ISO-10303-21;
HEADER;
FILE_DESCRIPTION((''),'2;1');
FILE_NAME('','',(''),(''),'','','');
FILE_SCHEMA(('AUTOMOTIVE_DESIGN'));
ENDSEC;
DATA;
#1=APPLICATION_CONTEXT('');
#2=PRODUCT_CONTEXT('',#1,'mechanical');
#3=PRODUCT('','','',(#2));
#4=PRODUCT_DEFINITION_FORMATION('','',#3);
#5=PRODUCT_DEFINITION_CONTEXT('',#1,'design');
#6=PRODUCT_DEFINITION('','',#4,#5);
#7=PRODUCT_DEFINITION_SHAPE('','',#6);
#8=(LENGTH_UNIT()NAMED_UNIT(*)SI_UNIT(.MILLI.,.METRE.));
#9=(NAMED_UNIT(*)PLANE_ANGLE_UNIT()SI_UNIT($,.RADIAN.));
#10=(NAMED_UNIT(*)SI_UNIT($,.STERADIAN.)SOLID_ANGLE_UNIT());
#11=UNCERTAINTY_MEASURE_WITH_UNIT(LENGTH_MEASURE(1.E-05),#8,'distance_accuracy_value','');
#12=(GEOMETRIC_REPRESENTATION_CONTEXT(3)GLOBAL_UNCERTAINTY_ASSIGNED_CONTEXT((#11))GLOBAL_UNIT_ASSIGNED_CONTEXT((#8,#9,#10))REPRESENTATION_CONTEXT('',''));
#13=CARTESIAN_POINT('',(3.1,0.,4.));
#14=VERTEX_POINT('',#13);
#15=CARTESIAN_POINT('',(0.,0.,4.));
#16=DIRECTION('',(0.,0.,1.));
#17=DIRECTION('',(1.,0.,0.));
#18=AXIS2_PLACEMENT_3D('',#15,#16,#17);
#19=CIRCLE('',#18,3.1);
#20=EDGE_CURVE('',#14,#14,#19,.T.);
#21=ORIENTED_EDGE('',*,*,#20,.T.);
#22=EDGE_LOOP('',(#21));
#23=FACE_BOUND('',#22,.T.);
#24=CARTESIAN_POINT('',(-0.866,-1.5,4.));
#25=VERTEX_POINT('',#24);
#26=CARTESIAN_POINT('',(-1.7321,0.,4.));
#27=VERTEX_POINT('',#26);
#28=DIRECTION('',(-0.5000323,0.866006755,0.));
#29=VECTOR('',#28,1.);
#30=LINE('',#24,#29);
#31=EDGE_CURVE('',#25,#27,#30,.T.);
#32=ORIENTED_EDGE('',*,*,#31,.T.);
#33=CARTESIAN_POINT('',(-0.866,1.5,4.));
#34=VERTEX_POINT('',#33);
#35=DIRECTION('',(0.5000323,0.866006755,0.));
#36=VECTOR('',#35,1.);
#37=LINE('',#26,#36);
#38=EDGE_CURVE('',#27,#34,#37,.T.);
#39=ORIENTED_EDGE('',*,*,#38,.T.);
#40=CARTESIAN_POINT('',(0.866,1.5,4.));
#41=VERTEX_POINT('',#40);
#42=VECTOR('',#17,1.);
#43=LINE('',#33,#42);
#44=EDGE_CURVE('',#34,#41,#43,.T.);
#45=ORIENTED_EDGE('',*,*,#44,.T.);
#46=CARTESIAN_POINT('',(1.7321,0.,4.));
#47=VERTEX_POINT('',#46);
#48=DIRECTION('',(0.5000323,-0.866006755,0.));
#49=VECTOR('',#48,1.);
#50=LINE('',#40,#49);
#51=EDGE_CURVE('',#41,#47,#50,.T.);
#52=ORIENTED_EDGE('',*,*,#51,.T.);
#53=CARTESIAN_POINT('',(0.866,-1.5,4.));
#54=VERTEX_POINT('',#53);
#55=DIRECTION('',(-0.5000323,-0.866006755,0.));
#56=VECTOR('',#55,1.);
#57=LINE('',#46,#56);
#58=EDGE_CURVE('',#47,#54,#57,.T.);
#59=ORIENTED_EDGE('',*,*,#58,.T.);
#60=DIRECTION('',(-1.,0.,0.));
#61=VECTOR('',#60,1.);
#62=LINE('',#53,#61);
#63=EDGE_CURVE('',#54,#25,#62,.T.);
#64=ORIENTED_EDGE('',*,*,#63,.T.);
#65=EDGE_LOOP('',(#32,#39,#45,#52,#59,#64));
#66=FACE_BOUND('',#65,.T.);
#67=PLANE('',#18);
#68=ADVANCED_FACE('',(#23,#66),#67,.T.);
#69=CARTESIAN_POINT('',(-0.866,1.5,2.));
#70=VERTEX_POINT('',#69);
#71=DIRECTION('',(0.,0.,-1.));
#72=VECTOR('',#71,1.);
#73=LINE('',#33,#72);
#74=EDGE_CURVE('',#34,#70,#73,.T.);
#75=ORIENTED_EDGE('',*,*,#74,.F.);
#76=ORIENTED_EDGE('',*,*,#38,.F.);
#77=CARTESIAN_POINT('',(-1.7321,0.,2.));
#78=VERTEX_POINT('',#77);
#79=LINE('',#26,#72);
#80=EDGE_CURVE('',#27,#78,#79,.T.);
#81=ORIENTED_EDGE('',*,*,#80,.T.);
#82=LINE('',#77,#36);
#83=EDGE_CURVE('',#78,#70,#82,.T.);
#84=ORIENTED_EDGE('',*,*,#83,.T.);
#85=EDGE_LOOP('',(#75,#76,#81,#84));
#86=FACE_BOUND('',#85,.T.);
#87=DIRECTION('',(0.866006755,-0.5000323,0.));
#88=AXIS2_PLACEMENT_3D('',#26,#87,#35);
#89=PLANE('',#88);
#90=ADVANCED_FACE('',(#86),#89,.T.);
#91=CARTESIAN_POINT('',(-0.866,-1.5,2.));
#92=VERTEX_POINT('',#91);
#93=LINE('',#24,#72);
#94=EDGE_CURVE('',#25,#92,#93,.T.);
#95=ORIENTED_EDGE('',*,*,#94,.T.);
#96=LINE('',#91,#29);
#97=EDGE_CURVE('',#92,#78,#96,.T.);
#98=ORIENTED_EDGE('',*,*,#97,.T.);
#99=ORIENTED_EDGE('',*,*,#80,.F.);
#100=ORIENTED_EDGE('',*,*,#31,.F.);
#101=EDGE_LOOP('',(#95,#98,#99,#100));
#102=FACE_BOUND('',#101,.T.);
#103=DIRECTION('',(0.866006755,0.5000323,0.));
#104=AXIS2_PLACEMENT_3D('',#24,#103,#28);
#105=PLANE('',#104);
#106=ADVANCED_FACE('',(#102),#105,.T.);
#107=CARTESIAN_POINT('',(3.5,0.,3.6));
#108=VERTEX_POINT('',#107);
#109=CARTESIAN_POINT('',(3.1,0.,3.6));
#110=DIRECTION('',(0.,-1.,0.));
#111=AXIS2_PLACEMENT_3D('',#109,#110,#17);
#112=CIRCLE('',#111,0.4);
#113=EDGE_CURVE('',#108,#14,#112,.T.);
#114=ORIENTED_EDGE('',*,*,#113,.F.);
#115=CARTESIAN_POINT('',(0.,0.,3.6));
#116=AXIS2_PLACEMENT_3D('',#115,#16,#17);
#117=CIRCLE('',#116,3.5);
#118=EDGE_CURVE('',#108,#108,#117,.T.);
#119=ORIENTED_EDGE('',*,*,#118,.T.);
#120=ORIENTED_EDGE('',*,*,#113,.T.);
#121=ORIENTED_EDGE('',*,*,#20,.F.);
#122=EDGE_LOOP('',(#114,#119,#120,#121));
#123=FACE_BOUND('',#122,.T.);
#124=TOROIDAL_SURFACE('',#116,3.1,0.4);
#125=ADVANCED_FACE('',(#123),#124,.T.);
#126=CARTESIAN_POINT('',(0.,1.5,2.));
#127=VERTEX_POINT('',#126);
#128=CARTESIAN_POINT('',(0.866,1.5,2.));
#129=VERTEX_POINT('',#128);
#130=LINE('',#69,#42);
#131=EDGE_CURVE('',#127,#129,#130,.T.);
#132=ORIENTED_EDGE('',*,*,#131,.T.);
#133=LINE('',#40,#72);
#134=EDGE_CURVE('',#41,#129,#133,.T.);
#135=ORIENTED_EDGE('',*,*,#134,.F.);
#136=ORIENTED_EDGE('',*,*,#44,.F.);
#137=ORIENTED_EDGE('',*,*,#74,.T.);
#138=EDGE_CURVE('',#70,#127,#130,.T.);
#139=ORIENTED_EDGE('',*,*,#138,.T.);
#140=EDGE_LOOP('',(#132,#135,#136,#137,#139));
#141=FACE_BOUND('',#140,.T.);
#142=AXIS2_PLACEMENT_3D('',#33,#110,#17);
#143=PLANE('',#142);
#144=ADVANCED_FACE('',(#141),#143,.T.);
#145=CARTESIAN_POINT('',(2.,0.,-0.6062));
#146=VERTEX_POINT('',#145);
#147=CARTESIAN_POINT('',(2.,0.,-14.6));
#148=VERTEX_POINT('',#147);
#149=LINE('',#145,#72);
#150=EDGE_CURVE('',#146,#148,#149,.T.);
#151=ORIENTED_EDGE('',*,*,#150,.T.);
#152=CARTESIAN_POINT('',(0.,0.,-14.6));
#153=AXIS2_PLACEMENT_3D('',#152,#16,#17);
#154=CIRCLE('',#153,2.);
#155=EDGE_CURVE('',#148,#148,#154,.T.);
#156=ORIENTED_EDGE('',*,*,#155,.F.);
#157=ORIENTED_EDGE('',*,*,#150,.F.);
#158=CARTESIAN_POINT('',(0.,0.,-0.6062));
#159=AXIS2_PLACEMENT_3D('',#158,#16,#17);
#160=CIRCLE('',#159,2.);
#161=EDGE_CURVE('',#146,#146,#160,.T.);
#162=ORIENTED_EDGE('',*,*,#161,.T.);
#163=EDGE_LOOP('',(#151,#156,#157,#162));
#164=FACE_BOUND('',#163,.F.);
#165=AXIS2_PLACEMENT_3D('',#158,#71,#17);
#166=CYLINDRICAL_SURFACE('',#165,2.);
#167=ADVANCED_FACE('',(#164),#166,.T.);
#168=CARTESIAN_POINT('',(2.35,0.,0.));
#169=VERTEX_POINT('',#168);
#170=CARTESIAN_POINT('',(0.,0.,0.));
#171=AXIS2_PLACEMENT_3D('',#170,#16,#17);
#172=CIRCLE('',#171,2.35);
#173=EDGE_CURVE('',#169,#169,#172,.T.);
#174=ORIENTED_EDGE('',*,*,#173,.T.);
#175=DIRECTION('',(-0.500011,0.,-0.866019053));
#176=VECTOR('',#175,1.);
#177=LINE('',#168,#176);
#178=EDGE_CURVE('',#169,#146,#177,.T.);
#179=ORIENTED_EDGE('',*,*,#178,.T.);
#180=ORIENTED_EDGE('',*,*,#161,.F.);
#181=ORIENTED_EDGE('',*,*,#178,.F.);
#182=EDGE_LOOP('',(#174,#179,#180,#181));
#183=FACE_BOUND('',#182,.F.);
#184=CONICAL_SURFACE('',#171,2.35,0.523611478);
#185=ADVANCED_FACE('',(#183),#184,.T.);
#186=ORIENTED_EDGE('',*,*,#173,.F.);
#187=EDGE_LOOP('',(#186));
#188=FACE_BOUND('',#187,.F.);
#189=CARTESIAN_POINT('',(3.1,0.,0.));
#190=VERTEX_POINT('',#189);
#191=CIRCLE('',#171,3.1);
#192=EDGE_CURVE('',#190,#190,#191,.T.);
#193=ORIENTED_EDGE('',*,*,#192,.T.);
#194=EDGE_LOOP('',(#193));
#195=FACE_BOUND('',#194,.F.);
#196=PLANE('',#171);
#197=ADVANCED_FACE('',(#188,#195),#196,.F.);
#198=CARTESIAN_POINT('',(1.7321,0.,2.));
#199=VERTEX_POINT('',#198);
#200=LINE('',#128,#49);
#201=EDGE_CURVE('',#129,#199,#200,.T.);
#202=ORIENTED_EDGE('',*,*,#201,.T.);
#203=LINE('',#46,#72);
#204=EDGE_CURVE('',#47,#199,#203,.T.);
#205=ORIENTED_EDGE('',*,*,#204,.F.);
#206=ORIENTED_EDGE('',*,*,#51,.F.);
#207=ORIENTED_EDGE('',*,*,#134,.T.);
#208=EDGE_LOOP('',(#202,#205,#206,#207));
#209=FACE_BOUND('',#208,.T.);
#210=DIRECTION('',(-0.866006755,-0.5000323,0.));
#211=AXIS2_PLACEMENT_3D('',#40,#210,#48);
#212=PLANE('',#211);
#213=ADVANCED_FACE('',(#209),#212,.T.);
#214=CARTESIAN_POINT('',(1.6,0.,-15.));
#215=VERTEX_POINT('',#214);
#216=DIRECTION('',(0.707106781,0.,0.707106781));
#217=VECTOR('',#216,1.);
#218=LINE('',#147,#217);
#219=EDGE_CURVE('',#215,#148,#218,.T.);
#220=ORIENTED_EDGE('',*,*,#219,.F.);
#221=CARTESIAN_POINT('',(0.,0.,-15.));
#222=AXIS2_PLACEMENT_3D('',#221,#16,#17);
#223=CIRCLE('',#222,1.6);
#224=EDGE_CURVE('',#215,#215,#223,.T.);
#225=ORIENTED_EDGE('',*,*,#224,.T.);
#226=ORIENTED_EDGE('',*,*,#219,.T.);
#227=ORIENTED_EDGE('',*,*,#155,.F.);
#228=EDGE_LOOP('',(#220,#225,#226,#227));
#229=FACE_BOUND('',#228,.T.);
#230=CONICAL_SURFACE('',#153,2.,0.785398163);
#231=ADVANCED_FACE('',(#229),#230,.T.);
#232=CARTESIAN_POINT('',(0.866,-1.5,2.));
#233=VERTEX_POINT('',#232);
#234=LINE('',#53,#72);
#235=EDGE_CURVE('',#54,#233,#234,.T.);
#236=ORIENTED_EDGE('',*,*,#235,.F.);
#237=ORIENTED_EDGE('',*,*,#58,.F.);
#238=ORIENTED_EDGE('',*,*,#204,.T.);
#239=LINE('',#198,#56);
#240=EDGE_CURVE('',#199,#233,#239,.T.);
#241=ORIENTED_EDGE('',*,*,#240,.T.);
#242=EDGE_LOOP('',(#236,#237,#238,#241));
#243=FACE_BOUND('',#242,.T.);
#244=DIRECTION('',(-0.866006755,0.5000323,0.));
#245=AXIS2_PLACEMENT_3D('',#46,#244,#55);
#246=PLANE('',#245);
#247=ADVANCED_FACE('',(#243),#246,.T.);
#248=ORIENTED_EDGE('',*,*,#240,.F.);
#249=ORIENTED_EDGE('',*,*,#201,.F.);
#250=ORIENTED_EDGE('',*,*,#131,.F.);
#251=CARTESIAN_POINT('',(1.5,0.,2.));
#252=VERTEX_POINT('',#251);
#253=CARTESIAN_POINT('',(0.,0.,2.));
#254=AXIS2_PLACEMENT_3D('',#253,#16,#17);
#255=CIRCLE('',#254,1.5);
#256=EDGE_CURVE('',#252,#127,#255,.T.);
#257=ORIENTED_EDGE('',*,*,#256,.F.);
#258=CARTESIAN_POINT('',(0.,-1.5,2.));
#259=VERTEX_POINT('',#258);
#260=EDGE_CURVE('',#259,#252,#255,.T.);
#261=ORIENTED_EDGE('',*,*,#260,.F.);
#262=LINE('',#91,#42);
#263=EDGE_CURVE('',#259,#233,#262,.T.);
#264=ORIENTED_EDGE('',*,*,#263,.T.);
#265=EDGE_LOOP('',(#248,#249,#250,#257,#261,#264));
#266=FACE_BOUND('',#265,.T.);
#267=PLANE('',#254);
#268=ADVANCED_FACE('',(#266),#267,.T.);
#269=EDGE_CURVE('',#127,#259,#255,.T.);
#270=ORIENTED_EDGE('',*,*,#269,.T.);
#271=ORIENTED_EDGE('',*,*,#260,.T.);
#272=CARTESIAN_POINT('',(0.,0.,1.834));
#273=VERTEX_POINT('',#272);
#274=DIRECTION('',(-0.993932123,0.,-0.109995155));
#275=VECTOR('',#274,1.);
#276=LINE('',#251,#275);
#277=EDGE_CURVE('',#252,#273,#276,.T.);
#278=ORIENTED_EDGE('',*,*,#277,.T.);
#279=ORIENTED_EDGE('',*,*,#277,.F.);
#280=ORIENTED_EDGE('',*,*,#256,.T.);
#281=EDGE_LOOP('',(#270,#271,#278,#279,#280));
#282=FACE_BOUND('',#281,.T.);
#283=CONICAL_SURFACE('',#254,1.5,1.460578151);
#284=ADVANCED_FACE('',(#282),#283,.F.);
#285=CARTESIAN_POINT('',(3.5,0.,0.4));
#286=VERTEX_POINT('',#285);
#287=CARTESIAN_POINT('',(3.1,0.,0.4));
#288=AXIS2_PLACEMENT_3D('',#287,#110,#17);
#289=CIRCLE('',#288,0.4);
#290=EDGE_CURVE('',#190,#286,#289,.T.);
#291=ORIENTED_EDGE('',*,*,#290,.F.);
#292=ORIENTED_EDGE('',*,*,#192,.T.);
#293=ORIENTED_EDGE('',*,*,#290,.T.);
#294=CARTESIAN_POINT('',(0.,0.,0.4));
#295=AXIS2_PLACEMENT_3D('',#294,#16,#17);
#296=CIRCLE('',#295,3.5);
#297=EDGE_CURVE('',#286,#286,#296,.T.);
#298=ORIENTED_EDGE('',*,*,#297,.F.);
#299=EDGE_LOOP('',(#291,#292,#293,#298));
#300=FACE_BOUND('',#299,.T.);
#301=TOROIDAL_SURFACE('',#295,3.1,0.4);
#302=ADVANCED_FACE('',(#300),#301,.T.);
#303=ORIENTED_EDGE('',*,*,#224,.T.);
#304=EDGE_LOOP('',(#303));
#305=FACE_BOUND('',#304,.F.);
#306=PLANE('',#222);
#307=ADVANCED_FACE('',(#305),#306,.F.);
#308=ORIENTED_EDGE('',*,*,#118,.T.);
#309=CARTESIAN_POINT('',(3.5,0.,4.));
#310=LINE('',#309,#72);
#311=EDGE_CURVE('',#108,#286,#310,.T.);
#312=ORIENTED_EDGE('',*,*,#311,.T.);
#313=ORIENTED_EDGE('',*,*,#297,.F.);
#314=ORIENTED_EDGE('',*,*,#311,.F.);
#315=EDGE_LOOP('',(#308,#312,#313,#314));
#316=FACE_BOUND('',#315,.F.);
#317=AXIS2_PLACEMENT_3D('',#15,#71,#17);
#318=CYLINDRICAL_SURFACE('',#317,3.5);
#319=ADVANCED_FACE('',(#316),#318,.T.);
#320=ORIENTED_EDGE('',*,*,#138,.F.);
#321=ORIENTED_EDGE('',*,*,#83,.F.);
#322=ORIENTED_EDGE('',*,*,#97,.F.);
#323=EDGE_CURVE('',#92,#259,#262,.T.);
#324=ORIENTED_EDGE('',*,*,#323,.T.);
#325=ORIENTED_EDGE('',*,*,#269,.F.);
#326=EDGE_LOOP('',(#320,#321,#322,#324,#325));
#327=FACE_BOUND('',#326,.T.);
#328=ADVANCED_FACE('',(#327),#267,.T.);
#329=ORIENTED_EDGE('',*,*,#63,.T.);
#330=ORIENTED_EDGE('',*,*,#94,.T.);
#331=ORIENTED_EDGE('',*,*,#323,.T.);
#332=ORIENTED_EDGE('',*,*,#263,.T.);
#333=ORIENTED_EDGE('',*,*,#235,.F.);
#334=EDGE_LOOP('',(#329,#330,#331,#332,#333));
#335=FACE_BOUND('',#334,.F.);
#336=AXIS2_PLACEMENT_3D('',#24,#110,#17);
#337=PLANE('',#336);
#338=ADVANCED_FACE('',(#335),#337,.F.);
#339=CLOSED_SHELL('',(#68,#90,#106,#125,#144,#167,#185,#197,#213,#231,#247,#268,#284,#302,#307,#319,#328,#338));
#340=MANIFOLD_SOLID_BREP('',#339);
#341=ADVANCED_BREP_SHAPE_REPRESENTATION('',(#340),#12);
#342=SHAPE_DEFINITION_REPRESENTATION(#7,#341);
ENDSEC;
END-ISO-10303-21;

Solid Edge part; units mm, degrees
sketch "Sketch1" plane through (0, 0, 0) normal (0, -1, 0) x (1, 0, 0)
  line L0 (3.5, 4) -> (3.5, 0)
  line L1 (3.5, 0) -> (2.35, 0)
  line L2 (2.35, 0) -> (2, -0.6062)
  line L3 (2, -0.6062) -> (2, -15)
  line L4 (2, -15) -> (0, -15)
  line L5 (1.5, 2) -> (0, 1.834)
  line L6 (1.5, 4) -> (1.5, 2)
  line L7 (3.5, 4) -> (1.5, 4)
  dimension "D1" = 2
  dimension "D2" = 15
  dimension "D3" = 4
revolve "RevolvedProtrusion1" add sketch "Sketch1" angle 360 about axis through (0, 0, -6) along (0, 0, 1)
cosmetic_thread "Thread1" size "M4"
chamfer "Chamfer_1" distance 0.4 angle 45 1 edges at (-2, 0, -15)
fillet "Round_1" radius 0.4 2 edges at (-3.5, 0, 0) (-3.5, 0, 4)
sketch "Sketch2" plane through (0, 0, 4) normal (0, 0, 1) x (0, 1, 0)
  line L0 (-1.5, 0.866) -> (-1.5, -0.866)
  line L1 (0, -1.7321) -> (-1.5, -0.866)
  line L2 (1.5, -0.866) -> (0, -1.7321)
  line L3 (1.5, 0.866) -> (1.5, -0.866)
  line L4 (0, 1.7321) -> (1.5, 0.866)
  line L5 (-1.5, 0.866) -> (0, 1.7321)
extrude "Cutout1" cut sketch "Sketch2" against normal up to vertex (2 mm away)
properties material "Galvanized steel"
